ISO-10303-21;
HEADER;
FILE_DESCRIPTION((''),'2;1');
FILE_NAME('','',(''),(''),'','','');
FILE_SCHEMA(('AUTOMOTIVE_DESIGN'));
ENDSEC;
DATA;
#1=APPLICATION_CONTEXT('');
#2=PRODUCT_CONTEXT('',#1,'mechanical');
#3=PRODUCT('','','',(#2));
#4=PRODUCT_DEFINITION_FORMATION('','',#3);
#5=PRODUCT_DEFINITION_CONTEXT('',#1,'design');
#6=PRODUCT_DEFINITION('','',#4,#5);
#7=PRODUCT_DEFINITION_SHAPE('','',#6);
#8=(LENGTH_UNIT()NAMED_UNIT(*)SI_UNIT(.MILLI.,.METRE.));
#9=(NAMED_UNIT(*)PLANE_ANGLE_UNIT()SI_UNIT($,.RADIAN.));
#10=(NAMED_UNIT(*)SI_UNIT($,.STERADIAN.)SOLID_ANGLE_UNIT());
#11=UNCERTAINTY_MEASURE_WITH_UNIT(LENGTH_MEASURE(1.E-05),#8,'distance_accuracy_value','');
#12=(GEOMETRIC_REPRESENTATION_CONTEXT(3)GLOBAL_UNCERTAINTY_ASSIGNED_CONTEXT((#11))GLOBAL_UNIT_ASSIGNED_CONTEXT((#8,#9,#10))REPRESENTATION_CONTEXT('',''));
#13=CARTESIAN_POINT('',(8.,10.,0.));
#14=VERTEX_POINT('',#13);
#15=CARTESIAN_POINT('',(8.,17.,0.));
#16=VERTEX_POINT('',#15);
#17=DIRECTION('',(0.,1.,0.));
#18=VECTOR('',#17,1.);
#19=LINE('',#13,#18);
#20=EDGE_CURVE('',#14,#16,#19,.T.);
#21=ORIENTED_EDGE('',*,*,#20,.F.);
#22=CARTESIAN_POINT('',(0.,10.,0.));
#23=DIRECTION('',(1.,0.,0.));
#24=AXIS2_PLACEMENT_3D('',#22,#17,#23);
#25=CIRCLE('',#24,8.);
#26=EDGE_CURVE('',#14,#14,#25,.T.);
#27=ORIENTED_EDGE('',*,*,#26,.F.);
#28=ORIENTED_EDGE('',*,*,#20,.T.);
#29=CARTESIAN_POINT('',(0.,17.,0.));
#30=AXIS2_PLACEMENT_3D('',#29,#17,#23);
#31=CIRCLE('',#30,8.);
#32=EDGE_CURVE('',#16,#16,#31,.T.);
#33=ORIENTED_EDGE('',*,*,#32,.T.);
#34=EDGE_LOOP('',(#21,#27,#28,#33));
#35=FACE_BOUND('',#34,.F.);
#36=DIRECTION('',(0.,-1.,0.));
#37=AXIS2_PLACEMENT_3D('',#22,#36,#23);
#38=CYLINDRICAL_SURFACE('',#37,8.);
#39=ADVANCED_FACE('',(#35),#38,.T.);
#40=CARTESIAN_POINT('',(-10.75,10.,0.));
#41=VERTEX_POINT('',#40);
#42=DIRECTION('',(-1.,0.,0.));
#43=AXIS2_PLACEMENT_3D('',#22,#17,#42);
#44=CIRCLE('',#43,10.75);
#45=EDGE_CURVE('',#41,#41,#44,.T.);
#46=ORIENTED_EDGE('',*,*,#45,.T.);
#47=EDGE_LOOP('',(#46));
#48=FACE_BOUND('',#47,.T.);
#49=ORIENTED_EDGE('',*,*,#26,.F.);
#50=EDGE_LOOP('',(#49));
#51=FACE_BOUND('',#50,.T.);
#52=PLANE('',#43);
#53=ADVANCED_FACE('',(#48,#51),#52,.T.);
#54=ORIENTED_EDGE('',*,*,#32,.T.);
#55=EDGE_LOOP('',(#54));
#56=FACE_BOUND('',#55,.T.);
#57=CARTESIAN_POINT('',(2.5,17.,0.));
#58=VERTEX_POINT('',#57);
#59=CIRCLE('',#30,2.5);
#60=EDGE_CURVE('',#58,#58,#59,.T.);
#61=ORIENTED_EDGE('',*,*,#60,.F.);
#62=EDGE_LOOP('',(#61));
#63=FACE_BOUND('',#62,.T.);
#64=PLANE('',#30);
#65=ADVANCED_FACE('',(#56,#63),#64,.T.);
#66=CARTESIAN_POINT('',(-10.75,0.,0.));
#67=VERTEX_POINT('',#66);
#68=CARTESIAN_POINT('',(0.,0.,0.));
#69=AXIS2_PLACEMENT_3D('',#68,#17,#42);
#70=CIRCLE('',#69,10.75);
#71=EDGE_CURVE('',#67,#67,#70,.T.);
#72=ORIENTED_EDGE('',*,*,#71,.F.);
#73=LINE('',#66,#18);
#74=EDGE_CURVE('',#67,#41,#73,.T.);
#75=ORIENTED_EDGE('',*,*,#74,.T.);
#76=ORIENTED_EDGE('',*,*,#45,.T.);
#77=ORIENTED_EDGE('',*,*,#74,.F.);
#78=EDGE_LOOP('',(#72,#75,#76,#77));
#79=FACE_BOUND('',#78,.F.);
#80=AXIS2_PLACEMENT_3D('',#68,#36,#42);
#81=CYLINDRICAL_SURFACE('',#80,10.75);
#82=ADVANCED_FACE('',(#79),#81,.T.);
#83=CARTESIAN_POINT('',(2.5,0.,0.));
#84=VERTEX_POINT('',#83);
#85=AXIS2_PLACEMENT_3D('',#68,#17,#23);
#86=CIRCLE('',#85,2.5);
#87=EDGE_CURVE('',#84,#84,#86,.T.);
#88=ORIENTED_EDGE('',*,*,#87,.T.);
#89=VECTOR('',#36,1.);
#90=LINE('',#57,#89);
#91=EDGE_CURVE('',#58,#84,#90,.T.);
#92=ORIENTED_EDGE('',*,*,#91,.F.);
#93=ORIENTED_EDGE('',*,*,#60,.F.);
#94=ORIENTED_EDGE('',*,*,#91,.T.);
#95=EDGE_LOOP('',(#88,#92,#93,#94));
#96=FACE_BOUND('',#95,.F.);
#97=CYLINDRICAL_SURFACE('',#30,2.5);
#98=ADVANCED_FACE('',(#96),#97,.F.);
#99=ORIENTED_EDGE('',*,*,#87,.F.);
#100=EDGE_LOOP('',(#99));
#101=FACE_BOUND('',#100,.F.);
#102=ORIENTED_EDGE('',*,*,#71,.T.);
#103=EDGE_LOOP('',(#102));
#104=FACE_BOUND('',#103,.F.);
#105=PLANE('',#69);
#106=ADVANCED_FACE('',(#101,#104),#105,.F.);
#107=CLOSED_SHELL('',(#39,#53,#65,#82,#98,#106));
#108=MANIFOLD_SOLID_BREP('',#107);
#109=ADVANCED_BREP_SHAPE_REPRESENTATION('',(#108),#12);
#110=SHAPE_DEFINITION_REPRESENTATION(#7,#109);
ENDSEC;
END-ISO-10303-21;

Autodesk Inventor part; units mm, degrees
ref_plane "YZ Plane" through (0, 0, 0) normal (1, 0, 0) x (0, 1, 0)
ref_plane "XZ Plane" through (0, 0, 0) normal (0, 1, 0) x (-1, 0, 0)
ref_plane "XY Plane" through (0, 0, 0) normal (0, 0, 1) x (1, 0, 0)
sketch "Sketch1" plane through (0, 0, 0) normal (0, 1, 0) x (-1, 0, 0)
  circle A0 centre (0, 0) radius 10.75
  dimension "d0" = 21.5
extrude "Extrusion1" add sketch "Sketch1" along normal blind 10
sketch "Sketch2" plane through (0, 10, 0) normal (0, 1, 0) x (1, 0, 0)
  circle A0 centre (0, 0) radius 8
  dimension "d3" = 16
extrude "Extrusion2" add sketch "Sketch2" along normal blind 7
sketch "Sketch3" plane through (0, 17, 0) normal (0, 1, 0) x (1, 0, 0)
  circle A0 centre (0, 0) radius 2.5
  dimension "d6" = 5
extrude "Extrusion3" cut sketch "Sketch3" against normal through all
properties part number "Gear drive"
